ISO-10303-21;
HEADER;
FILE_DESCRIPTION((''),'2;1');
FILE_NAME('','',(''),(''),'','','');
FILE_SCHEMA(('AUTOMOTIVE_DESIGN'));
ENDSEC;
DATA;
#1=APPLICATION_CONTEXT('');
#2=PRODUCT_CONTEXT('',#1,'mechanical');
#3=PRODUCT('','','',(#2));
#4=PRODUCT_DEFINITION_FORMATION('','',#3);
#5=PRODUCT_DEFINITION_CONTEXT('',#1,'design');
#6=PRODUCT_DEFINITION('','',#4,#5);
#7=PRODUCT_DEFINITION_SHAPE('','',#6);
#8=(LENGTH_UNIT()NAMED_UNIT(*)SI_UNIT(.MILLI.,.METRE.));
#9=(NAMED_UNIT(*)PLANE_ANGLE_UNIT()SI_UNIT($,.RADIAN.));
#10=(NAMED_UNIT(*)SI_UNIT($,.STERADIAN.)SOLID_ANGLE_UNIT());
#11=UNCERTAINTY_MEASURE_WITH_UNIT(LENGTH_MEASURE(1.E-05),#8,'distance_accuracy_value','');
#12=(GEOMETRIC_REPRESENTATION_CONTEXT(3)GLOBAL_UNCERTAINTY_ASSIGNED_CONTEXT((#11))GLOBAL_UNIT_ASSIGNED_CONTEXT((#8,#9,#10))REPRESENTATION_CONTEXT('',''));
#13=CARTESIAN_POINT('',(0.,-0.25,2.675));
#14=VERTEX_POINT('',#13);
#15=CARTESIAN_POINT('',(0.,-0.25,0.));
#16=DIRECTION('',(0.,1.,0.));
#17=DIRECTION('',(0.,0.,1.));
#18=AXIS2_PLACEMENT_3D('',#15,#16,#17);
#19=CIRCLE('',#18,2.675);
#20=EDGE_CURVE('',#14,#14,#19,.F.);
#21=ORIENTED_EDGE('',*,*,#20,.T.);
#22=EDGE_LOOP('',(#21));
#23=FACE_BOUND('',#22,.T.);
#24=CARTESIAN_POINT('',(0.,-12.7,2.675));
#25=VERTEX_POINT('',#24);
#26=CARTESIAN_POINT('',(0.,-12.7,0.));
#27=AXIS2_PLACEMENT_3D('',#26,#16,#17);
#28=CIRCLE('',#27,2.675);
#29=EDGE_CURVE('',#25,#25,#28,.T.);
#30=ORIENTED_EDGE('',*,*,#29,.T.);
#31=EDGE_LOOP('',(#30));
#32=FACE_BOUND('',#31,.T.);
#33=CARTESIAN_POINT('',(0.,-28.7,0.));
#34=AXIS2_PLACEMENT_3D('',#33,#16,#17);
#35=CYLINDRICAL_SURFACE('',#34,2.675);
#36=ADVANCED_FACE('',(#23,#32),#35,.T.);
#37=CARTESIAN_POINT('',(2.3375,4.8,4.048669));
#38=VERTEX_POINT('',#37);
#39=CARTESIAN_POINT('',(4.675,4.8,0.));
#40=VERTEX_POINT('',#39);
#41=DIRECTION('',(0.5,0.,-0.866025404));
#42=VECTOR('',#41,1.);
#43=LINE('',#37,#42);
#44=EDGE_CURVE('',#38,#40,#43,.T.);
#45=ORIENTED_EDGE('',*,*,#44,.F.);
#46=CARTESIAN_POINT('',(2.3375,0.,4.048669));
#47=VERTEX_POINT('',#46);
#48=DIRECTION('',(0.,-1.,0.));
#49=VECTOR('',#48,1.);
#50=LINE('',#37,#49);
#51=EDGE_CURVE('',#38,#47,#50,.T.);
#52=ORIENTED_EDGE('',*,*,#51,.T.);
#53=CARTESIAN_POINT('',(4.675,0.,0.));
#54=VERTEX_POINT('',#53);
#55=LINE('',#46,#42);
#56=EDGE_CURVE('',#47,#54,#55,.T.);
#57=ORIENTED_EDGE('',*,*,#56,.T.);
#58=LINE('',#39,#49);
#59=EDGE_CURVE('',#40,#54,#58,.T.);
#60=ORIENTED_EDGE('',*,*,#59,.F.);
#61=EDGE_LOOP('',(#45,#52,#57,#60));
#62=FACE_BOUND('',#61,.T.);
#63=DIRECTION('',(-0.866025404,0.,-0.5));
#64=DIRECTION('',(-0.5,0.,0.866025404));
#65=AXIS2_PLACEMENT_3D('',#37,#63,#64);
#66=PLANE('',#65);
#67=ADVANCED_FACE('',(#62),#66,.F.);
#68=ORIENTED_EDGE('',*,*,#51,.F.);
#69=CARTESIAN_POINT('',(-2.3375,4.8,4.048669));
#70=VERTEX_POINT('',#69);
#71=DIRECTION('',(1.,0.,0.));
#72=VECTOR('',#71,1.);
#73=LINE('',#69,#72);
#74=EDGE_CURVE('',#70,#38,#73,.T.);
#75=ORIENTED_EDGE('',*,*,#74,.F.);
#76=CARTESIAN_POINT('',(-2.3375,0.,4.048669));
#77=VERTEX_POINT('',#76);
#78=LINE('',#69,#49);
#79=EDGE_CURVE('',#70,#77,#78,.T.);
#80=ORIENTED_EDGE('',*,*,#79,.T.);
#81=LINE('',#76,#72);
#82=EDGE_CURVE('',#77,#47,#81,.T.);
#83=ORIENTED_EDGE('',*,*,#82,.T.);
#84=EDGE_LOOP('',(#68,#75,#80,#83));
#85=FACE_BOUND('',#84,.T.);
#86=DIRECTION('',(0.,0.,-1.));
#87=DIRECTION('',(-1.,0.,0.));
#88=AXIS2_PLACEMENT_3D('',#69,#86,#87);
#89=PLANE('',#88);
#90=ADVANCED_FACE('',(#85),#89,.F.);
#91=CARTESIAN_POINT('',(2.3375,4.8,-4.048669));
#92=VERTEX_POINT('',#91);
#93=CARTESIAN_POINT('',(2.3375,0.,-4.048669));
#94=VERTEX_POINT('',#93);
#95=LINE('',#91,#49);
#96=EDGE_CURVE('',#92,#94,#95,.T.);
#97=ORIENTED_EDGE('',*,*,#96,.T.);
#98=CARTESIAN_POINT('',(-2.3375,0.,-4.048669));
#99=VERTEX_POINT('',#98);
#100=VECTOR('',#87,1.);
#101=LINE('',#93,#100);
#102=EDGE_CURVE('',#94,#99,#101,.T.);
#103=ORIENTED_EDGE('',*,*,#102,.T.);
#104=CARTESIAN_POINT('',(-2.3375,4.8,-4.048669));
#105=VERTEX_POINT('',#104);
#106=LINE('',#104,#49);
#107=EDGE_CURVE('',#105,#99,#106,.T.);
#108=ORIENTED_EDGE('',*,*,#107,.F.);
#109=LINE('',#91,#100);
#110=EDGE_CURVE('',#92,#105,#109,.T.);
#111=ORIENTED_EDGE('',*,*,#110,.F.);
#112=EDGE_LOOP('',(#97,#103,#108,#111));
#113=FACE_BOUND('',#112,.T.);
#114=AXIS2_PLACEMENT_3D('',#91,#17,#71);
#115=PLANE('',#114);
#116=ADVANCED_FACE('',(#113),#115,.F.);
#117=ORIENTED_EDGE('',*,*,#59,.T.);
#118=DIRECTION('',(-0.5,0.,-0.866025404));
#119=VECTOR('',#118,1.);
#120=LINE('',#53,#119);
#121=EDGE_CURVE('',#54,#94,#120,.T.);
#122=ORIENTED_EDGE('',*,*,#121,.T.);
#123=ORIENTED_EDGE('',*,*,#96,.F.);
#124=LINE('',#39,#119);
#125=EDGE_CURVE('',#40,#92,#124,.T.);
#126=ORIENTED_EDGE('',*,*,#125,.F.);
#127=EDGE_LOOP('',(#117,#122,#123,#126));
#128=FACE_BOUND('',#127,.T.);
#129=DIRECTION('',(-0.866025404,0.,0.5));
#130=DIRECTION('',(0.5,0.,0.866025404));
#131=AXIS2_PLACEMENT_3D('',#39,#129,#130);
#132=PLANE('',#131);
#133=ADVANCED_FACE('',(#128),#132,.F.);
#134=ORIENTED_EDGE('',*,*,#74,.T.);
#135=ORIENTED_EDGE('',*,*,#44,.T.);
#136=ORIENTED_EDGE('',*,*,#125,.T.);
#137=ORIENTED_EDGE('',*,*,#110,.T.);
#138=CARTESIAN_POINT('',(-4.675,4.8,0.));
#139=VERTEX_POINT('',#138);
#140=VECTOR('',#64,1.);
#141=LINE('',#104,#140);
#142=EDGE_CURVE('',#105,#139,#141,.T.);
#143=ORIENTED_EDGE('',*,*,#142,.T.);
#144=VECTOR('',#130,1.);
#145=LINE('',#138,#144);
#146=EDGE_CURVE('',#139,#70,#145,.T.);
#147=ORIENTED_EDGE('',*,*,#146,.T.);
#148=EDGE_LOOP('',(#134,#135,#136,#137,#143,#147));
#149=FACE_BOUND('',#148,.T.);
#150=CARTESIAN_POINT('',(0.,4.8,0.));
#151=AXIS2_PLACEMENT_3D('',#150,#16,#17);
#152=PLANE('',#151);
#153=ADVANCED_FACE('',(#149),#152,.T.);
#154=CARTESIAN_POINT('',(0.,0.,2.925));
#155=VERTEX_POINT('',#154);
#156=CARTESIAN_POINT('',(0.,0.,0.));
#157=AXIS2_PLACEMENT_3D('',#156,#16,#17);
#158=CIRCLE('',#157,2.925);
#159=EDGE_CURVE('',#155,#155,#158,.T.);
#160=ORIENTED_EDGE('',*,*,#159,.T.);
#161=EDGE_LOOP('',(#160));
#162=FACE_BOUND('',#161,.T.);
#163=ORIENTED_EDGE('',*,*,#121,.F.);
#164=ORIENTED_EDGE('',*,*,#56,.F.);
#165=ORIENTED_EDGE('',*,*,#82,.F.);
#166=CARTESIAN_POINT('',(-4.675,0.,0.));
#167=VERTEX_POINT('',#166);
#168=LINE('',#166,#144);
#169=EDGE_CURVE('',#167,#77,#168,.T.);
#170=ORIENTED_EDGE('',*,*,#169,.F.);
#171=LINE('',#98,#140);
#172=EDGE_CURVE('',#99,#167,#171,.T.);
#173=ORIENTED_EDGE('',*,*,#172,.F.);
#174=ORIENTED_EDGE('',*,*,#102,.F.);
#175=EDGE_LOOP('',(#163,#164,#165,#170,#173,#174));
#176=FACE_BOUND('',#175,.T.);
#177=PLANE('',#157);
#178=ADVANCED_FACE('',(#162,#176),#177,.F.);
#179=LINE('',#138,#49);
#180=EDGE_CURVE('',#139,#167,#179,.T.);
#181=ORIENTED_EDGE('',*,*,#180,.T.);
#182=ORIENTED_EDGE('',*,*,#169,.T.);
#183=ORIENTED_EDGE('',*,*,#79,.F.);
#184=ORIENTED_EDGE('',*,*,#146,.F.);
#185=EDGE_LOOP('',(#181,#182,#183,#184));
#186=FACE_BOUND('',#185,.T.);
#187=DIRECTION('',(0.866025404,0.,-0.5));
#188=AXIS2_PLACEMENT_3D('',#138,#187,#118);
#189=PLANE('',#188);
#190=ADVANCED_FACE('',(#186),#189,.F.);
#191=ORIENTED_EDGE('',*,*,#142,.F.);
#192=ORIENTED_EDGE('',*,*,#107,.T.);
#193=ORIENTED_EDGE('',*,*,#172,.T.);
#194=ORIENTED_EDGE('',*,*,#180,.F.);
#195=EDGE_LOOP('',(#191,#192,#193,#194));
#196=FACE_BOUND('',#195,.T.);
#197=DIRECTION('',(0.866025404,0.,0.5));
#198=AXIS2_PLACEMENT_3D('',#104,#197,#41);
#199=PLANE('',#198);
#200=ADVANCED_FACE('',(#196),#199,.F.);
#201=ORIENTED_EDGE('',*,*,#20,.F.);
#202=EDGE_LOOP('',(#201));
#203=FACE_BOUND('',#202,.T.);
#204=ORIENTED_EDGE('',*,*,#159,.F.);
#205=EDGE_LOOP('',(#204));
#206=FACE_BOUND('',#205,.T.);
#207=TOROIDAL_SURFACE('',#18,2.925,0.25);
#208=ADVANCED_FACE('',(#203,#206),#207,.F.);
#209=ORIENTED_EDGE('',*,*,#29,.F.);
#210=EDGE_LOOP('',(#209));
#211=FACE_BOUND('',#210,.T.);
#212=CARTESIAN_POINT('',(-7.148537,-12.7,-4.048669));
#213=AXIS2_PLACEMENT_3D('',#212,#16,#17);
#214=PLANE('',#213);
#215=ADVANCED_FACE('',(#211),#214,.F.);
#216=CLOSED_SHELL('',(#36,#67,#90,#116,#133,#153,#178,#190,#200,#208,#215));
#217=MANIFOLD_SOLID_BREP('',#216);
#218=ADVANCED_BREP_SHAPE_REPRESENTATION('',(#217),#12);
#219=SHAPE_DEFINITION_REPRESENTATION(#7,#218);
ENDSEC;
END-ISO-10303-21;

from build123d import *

# Parameters (mm, degrees)
BOSS_EXTRUDE1_DEPTH     = 4.8
SKETCH3_R               = 2.675
BOSS_EXTRUDE2_DEPTH     = 28.7
FILLET1_R               = 0.25
CUT_EXTRUDE1_DEPTH      = 30.358769452
CUT_EXTRUDE1_DEPTH_BACK = 30.358769452
SKETCH4_W               = 15.294544115
SKETCH4_H               = 19.173595159


with BuildPart() as part:
    # Sketch2 → Boss-Extrude1 (new body)
    with BuildSketch(Plane(origin=(0, 0, 0), x_dir=(1, 0, 0), z_dir=(0, 1, 0))):
        Polygon((-2.3375, 4.048668763), (-4.675, 0), (-2.3375, -4.048668763), (2.3375, -4.048668763), (4.675, 0), (2.3375, 4.048668763), align=None)
    extrude(amount=BOSS_EXTRUDE1_DEPTH)

    # Sketch3 → Boss-Extrude2 (add)
    with BuildSketch(Plane.XZ):
        with Locations(Location((0, 0, 0), (0, 0, 270))):
            Circle(SKETCH3_R)
    extrude(amount=BOSS_EXTRUDE2_DEPTH)

    # Fillet1
    fillet1_edges = [part.edges().sort_by_distance(p)[0] for p in [
        (0, 0, 2.675),
    ]]
    fillet(fillet1_edges, radius=FILLET1_R)

    # Sketch4 → Cut-Extrude1 (cut, two sides: drawn at the far end of the back side and taken through both)
    with BuildSketch(Plane.XY.offset(-CUT_EXTRUDE1_DEPTH_BACK)):
        with Locations((0.498735134, -22.286797579)):
            Rectangle(SKETCH4_W, SKETCH4_H)
    extrude(amount=CUT_EXTRUDE1_DEPTH + CUT_EXTRUDE1_DEPTH_BACK, mode=Mode.SUBTRACT)


solid = part.part
